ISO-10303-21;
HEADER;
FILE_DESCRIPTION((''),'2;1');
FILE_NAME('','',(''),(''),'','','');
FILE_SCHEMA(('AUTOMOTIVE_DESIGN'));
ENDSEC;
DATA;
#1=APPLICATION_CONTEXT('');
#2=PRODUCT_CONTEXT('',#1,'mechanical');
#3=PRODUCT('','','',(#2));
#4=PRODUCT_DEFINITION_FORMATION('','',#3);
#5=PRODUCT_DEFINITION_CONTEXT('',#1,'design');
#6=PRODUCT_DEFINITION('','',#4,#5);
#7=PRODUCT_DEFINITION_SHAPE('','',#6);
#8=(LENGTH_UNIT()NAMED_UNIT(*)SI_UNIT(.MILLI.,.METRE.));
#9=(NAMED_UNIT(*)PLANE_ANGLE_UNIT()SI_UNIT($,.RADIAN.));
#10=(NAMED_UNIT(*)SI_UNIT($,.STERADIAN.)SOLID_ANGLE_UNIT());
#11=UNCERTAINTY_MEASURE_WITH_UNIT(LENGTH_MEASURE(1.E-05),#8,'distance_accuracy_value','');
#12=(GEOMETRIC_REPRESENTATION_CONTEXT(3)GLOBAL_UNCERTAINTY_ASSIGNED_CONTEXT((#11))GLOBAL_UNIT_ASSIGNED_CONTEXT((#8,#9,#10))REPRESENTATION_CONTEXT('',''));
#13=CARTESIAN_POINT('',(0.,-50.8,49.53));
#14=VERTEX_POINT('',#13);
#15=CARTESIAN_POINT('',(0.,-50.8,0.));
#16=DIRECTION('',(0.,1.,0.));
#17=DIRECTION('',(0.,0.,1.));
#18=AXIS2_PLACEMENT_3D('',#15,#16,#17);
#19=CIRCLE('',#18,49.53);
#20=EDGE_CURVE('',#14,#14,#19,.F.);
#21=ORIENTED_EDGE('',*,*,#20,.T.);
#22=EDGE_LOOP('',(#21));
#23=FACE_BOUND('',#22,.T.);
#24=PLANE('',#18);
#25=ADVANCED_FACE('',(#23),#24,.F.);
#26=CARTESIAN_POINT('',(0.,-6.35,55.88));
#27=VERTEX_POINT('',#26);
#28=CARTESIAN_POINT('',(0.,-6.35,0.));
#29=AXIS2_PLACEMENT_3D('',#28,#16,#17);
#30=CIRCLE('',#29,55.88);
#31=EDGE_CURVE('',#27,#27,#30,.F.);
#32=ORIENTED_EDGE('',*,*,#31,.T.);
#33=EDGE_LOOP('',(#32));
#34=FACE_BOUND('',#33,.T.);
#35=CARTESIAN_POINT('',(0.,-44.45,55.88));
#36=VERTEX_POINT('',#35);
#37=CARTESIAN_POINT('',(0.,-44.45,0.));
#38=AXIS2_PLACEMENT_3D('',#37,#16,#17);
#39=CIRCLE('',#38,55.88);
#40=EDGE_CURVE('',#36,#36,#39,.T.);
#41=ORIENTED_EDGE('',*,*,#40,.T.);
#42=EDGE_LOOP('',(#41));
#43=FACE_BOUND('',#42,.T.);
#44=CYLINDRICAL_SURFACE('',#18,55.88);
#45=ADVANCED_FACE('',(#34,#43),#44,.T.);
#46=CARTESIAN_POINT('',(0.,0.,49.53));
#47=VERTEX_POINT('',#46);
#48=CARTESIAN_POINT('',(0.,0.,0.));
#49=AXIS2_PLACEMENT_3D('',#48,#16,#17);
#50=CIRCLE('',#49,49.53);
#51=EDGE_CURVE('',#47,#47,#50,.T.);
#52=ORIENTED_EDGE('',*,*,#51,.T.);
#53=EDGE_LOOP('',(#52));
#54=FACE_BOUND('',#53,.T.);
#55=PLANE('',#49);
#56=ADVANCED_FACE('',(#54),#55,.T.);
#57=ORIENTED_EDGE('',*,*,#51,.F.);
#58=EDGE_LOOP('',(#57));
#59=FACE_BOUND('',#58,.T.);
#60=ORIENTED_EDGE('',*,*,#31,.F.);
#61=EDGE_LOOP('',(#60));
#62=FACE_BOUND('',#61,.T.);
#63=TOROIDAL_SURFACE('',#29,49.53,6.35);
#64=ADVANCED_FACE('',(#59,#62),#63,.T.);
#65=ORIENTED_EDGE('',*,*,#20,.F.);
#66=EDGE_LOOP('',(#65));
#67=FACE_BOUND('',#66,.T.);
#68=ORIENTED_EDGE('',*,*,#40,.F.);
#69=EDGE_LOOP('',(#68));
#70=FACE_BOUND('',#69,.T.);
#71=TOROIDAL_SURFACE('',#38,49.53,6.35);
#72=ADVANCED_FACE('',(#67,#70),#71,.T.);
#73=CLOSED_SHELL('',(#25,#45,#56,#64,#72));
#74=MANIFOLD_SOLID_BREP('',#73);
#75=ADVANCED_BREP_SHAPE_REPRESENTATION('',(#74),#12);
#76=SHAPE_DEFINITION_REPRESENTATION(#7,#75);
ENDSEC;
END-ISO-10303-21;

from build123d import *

# Parameters (mm, degrees)
SKETCH1_R           = 55.88
BOSS_EXTRUDE1_DEPTH = 50.8
FILLET1_R           = 6.35


with BuildPart() as part:
    # Sketch1 → Boss-Extrude1 (new body)
    with BuildSketch(Plane(origin=(0, 0, 0), x_dir=(1, 0, 0), z_dir=(0, 1, 0))):
        with Locations(Location((0, 0, 0), (0, 0, 270))):
            Circle(SKETCH1_R)
    extrude(amount=-BOSS_EXTRUDE1_DEPTH)

    # Fillet1
    fillet1_edges = [part.edges().sort_by_distance(p)[0] for p in [
        (0, 0, -55.88),
        (0, -50.8, -55.88),
    ]]
    fillet(fillet1_edges, radius=FILLET1_R)


solid = part.part
